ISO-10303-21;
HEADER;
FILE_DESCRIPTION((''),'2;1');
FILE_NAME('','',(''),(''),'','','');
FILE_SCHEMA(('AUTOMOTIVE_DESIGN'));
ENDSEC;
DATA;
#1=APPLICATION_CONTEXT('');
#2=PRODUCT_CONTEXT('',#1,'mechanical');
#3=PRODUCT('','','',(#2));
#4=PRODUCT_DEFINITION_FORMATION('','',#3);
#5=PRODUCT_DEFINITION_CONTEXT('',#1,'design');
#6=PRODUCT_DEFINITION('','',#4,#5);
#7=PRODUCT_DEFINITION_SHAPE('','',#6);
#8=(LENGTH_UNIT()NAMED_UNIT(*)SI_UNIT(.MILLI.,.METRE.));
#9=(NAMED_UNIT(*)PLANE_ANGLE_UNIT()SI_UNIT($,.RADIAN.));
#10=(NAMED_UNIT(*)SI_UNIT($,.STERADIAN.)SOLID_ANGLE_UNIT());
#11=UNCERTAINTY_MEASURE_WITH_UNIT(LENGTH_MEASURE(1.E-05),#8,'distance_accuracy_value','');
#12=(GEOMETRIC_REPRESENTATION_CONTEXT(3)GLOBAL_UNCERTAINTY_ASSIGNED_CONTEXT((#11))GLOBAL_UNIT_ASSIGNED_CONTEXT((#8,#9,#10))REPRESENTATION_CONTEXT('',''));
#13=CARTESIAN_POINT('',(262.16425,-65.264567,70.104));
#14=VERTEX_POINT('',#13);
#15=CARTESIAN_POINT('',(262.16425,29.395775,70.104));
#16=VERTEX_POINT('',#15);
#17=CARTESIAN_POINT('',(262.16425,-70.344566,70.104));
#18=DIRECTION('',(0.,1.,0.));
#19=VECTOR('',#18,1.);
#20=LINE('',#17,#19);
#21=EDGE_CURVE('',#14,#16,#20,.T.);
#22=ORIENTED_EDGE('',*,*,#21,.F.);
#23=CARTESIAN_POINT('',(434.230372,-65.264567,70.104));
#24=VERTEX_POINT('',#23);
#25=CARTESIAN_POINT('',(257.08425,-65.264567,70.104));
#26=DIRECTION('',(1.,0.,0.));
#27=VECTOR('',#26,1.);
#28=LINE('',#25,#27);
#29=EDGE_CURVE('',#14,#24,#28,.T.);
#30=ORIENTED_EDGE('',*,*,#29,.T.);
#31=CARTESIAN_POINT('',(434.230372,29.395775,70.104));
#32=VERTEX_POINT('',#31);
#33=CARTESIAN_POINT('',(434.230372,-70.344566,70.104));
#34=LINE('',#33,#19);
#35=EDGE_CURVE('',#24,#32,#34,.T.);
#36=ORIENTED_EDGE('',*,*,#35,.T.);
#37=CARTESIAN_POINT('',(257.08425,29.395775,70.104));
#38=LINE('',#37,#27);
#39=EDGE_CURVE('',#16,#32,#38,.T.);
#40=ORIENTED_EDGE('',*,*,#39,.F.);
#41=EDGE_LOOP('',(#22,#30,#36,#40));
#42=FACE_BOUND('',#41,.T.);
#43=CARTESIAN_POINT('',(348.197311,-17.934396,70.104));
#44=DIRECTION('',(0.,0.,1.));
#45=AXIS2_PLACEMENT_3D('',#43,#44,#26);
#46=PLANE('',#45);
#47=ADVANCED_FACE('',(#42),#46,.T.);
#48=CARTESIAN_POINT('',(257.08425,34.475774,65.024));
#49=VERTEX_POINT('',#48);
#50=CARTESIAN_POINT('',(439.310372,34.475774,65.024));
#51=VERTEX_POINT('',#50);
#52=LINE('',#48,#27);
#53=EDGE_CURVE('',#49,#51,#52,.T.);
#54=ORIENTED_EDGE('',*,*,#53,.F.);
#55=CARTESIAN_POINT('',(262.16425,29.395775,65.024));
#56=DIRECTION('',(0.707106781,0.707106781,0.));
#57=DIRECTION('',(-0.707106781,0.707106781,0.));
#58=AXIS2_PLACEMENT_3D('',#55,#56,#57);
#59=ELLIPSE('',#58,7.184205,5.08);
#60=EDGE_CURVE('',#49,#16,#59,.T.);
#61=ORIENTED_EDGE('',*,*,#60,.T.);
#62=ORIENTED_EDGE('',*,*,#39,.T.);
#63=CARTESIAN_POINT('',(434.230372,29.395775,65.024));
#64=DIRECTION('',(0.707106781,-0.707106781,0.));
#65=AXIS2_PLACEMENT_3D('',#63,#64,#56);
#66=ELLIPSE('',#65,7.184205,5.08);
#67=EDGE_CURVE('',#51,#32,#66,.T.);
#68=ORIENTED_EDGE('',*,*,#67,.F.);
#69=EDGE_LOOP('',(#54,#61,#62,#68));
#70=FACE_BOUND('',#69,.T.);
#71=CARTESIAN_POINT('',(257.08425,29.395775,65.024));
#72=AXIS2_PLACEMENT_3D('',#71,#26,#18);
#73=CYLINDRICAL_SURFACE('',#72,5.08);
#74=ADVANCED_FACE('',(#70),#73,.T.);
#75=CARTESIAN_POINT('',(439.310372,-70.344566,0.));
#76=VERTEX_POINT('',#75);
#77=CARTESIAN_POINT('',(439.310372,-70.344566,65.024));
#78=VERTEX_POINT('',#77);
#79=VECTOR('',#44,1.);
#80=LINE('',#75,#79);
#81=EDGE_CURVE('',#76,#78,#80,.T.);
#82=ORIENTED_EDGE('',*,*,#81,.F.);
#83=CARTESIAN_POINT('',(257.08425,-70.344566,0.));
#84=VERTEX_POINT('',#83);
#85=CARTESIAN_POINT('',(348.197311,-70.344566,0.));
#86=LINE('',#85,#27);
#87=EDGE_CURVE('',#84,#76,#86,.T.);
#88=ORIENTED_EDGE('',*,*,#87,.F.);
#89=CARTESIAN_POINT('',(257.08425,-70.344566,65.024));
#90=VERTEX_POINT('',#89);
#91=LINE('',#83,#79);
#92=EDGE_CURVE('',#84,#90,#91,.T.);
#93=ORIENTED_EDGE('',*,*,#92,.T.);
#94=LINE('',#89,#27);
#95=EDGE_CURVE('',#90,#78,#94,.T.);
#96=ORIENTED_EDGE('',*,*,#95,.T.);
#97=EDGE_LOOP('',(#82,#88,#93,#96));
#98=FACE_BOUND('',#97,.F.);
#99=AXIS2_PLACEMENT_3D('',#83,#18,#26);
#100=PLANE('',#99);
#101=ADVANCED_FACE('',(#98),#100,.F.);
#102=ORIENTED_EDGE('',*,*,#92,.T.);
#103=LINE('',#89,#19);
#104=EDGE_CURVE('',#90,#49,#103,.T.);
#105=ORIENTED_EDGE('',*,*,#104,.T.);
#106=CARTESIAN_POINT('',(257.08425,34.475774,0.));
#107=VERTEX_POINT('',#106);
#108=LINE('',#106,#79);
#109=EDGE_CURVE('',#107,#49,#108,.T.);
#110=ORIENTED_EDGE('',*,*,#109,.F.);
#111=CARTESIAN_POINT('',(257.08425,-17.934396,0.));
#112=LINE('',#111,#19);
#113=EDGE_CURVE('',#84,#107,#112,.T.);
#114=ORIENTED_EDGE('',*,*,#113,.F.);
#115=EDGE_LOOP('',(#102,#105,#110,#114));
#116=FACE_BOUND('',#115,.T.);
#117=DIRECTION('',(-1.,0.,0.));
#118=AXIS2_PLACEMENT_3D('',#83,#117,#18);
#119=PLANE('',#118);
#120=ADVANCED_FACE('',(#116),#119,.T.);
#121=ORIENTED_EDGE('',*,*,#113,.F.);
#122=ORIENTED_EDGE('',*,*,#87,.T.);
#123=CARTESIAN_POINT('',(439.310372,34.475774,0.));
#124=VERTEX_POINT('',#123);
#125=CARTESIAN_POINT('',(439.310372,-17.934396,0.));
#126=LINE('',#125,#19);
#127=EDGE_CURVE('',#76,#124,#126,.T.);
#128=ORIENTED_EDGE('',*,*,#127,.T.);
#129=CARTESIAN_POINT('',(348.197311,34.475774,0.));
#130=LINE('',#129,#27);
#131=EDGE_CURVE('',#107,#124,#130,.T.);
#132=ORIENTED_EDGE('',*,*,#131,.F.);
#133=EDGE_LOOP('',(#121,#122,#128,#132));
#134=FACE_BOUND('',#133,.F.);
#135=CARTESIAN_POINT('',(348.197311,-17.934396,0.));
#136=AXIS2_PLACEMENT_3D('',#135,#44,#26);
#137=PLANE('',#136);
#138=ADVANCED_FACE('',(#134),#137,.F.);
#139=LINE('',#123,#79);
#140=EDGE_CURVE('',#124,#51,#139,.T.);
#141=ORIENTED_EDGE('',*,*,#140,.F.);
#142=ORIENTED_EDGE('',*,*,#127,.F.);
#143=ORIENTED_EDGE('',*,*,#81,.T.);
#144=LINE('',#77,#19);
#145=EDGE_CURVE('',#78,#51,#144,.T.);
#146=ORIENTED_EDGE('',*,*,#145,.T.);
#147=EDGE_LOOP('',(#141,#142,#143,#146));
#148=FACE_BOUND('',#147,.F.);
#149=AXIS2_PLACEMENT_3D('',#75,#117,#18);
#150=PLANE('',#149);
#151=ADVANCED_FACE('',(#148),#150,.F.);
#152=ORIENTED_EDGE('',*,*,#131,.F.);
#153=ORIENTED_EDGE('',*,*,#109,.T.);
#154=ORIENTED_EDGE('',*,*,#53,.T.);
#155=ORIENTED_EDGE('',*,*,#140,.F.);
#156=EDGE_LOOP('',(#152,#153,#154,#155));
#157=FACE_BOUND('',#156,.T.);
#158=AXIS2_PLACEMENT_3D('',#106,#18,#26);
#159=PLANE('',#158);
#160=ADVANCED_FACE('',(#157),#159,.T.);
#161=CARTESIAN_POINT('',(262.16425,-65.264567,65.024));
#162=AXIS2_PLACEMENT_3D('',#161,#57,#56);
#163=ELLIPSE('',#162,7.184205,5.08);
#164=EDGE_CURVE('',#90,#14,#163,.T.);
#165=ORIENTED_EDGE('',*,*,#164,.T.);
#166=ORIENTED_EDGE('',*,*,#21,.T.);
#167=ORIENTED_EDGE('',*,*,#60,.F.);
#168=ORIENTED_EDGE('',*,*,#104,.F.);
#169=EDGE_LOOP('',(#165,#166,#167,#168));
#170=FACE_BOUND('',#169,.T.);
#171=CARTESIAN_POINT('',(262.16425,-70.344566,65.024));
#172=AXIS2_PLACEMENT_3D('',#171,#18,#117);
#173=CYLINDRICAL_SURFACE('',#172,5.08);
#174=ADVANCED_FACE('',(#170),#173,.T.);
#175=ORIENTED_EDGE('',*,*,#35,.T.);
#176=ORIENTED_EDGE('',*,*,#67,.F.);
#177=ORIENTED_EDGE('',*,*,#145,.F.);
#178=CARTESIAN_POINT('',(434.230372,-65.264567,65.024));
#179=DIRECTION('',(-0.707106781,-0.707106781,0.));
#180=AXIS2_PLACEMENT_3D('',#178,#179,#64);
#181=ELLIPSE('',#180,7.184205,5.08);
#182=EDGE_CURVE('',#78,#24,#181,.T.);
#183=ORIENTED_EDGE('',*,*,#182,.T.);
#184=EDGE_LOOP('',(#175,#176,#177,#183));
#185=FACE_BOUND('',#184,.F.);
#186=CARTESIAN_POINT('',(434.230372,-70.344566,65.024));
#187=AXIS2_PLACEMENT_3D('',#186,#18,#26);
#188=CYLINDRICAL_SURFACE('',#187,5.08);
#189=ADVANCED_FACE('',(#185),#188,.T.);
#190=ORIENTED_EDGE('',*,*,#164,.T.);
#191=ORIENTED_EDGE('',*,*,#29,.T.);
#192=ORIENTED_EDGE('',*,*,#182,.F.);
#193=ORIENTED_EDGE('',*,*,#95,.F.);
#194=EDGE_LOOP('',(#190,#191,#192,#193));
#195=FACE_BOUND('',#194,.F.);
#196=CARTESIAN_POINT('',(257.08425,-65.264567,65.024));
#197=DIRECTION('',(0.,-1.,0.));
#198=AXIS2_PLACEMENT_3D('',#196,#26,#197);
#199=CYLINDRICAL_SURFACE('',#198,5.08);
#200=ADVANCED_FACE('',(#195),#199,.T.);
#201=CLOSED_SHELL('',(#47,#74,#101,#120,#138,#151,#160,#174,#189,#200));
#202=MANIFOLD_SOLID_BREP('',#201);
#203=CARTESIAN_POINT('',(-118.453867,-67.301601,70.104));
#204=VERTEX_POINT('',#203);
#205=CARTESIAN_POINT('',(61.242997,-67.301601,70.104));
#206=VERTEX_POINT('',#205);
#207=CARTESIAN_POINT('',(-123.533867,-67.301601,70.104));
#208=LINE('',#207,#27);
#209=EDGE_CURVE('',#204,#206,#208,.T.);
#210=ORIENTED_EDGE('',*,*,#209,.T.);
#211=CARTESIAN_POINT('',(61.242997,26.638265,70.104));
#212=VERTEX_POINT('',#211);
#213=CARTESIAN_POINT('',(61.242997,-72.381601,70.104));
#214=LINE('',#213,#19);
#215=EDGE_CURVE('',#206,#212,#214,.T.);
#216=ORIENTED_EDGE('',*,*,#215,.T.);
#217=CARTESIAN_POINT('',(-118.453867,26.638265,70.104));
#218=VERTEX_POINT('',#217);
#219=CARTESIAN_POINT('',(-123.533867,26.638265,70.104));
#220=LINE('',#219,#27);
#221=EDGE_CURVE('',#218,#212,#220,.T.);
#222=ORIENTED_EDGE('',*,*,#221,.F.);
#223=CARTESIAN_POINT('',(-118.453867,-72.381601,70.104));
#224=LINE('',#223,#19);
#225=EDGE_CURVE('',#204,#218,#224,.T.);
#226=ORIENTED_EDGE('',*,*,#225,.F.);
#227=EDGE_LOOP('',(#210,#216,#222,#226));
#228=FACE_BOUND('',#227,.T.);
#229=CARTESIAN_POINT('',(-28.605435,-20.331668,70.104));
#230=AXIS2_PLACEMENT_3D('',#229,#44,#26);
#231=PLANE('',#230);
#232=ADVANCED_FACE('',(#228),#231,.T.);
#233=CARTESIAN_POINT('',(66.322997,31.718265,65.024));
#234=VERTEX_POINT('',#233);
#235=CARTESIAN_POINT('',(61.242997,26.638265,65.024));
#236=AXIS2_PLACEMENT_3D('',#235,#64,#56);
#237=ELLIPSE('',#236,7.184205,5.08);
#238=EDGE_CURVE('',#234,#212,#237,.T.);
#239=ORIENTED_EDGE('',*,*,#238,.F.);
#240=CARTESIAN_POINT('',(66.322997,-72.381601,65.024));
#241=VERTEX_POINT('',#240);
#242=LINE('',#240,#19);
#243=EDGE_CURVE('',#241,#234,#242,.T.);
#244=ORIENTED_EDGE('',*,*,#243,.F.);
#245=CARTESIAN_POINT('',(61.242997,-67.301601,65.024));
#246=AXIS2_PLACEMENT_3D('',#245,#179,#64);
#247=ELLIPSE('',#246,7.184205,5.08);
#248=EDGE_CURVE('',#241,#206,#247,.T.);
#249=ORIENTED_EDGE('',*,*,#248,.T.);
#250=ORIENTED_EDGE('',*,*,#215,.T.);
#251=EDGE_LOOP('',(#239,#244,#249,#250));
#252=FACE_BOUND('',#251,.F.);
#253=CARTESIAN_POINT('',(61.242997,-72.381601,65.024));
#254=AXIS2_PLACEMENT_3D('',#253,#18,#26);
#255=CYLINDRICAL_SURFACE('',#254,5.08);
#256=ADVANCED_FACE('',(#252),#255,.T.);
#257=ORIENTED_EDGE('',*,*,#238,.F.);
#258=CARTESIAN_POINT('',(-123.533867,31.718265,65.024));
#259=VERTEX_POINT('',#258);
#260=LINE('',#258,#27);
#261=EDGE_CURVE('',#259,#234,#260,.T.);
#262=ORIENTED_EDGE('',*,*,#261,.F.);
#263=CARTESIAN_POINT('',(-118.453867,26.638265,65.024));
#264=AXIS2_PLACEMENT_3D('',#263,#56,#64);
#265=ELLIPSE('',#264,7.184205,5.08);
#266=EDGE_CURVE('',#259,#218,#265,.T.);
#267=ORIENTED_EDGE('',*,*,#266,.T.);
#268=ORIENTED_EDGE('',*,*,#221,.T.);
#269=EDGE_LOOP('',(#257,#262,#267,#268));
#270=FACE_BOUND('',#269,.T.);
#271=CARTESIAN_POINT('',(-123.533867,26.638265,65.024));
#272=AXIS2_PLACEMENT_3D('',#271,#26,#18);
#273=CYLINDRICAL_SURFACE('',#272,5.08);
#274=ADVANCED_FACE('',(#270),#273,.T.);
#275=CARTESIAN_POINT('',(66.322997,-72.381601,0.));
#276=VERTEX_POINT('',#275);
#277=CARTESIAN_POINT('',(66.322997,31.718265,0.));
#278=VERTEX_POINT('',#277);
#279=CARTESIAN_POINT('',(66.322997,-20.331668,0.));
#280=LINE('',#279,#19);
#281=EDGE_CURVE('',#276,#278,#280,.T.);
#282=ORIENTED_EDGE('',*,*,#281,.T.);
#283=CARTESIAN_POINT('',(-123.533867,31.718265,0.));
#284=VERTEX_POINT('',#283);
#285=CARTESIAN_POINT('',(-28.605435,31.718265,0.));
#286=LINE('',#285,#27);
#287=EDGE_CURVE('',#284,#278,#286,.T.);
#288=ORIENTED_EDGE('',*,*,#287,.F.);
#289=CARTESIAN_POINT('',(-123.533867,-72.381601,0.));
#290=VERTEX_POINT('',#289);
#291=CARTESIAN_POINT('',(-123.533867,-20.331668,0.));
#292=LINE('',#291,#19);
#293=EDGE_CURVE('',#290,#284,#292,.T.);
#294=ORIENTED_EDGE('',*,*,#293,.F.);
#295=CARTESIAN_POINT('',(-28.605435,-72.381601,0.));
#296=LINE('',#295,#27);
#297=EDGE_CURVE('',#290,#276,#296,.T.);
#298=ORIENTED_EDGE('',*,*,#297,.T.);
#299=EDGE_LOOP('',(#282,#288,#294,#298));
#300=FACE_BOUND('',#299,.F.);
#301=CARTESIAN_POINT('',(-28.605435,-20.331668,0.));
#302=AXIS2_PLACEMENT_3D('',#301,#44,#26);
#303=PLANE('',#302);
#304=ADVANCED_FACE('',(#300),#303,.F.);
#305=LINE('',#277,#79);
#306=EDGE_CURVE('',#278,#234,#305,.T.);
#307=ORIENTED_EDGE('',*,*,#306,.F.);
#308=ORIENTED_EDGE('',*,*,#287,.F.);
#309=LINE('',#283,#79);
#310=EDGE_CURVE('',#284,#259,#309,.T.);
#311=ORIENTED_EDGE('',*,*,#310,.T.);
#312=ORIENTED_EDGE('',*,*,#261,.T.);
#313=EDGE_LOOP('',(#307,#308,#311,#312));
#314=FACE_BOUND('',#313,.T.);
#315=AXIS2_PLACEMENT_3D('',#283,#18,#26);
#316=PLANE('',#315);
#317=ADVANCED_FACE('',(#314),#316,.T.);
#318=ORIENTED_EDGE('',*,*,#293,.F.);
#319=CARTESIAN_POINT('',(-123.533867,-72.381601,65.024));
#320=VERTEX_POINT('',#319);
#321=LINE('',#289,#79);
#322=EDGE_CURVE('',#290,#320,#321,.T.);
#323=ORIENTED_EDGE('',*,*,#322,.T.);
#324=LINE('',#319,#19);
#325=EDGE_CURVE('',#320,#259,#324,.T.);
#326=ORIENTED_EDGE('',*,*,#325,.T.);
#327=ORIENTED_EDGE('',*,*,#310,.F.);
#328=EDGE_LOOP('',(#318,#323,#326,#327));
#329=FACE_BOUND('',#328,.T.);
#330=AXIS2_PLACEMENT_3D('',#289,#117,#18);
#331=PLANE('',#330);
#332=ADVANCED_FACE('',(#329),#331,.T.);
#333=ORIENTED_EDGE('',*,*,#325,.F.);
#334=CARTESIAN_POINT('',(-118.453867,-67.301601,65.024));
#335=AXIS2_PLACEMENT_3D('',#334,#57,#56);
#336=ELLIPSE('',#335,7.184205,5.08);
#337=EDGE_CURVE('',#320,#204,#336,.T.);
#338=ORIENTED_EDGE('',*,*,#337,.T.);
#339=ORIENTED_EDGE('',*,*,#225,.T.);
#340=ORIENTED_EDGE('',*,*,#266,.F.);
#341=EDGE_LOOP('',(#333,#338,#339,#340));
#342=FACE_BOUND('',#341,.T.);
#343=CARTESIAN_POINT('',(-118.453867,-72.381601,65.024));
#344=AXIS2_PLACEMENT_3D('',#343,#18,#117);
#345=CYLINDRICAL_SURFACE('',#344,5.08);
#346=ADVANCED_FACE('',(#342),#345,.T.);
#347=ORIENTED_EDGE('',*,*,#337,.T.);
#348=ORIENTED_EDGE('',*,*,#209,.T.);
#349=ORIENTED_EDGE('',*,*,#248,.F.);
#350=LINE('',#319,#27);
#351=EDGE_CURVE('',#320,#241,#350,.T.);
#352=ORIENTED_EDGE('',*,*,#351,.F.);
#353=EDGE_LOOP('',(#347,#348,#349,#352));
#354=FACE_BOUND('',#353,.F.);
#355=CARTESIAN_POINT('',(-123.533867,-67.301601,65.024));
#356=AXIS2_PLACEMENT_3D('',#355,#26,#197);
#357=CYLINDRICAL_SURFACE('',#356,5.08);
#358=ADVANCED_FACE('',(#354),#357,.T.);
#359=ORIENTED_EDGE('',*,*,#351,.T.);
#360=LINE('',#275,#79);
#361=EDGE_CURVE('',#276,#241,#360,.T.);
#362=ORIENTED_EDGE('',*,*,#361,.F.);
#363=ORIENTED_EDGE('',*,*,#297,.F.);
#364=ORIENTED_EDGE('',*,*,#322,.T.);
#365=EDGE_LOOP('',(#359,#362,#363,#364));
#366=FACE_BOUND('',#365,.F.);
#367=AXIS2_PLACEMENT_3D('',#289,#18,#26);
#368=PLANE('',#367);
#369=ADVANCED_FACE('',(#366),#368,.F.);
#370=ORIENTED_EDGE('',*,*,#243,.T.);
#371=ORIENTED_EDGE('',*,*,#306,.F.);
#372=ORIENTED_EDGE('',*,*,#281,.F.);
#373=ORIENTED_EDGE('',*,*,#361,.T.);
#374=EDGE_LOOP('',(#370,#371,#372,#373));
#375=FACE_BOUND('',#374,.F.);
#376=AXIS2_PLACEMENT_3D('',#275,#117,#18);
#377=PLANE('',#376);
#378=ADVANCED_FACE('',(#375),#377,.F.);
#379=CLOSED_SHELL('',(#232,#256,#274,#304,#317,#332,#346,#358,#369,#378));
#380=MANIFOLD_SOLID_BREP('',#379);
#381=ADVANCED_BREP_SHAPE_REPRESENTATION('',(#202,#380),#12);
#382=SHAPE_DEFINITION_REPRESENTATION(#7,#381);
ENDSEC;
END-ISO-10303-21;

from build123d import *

# Parameters (mm, degrees)
F0_W     = 189.856864
F0_H     = 104.099866
F1_DEPTH = 70.104
F2_W     = 182.226122
F2_H     = 104.820341
F3_DEPTH = 70.104
F4_R     = 5.08
F4_2_R   = 5.08


with BuildPart() as f1:
    # F0 (on Top) → F1 (new body)
    with BuildSketch(Plane.XY):
        with Locations((-28.605435, -20.331668)):
            Rectangle(F0_W, F0_H)
    extrude(amount=F1_DEPTH)

    # F4
    f4_edges = [f1.edges().sort_by_distance(p)[0] for p in [
        (-28.605435, -72.381601, 70.104),
        (66.322997, -20.331668, 70.104),
        (-28.605435, 31.718265, 70.104),
        (-123.533867, -20.331668, 70.104),
    ]]
    fillet(f4_edges, radius=F4_R)


with BuildPart() as f3:
    # F2 (on Top) → F3 (new body)
    with BuildSketch(Plane.XY):
        with Locations((348.197311, -17.934396)):
            Rectangle(F2_W, F2_H)
    extrude(amount=F3_DEPTH)

    # F4#2
    f4_2_edges = [f3.edges().sort_by_distance(p)[0] for p in [
        (257.08425, -17.934397, 70.104),
        (348.197311, -70.344567, 70.104),
        (439.310372, -17.934397, 70.104),
        (348.197311, 34.475774, 70.104),
    ]]
    fillet(f4_2_edges, radius=F4_2_R)


solid = Compound([f1.part, f3.part])
